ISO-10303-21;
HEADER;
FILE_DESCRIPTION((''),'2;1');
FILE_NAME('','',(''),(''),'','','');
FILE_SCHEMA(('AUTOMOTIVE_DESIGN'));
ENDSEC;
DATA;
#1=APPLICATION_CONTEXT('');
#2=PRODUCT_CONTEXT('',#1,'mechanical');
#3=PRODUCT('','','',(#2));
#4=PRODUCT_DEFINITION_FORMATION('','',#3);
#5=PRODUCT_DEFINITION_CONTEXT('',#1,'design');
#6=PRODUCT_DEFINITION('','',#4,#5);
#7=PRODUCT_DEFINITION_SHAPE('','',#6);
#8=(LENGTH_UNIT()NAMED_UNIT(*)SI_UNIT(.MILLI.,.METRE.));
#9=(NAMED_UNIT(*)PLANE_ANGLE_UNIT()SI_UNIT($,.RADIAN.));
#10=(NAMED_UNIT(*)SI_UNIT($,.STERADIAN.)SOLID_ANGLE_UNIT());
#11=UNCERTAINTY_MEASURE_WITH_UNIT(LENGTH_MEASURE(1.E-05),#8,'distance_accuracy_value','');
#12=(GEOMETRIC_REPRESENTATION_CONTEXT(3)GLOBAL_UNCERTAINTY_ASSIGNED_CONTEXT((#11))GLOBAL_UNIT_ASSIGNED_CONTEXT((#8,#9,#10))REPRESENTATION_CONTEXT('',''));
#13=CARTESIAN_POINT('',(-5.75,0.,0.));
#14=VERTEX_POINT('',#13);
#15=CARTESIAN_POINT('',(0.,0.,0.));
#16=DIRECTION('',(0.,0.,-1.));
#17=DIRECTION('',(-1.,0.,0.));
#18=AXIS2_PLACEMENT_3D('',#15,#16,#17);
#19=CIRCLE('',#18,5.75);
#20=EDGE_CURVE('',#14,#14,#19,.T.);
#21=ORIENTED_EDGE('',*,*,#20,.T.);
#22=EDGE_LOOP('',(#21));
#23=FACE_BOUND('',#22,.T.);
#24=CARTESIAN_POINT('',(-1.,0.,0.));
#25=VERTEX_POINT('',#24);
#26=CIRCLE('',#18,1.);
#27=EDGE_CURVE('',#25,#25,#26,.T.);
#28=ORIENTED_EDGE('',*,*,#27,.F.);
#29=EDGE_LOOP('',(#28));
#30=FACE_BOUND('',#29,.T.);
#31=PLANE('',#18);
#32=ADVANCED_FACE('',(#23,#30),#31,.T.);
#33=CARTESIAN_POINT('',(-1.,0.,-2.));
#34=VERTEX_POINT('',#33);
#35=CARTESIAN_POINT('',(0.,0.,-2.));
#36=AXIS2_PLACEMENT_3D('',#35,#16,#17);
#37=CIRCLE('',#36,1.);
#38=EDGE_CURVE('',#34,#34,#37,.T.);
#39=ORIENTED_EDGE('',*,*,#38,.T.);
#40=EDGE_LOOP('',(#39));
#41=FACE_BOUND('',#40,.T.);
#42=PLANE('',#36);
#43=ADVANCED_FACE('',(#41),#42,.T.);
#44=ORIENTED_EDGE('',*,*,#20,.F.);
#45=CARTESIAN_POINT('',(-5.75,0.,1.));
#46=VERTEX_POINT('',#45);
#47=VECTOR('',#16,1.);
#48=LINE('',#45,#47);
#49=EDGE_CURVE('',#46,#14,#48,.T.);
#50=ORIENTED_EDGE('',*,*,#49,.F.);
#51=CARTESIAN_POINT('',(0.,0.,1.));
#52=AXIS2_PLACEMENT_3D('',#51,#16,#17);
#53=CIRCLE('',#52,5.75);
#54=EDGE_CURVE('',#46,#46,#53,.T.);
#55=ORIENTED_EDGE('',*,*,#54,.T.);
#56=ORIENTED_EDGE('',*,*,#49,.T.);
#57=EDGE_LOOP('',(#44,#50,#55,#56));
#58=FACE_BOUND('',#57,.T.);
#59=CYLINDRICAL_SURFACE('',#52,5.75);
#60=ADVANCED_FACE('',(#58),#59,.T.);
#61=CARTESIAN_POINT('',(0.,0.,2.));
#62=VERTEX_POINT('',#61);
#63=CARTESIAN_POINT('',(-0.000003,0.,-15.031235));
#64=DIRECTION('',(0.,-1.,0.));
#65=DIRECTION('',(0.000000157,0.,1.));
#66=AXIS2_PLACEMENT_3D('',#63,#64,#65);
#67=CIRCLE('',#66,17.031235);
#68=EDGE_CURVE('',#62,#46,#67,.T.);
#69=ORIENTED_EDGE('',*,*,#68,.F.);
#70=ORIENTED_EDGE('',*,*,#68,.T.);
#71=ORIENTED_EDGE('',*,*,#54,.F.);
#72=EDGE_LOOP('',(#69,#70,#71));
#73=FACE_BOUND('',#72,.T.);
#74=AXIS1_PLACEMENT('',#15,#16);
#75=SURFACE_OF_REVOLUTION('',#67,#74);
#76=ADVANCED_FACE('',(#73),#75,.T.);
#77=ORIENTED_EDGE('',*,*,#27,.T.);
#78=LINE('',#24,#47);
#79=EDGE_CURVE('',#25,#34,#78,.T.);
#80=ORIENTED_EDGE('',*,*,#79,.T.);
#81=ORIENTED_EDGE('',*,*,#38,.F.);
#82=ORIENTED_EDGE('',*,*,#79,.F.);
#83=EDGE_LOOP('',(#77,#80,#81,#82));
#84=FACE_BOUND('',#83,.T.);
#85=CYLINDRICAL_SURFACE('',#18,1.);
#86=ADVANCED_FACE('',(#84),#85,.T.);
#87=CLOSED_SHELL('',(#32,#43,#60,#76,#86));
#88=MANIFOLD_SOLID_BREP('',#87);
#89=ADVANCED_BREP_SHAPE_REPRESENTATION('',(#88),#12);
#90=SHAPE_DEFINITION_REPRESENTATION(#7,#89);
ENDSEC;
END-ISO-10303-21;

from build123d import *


with BuildPart() as f1:
    # F0 (on Front) → F1 (revolve)
    with BuildSketch(Plane.XZ):
        with BuildLine():
            ThreePointArc((0, 2), (-2.918154, 1.748138), (-5.75, 1))
            Line((-5.75, 1), (-5.75, 0))
            Line((-5.75, 0), (-1, 0))
            Line((-1, 0), (-1, -2))
            Line((-1, -2), (0, -2))
            Line((0, -2), (0, 2))
        make_face()
    revolve(axis=Axis((0, 0, 0), (0, 0, -1)))


solid = f1.part
